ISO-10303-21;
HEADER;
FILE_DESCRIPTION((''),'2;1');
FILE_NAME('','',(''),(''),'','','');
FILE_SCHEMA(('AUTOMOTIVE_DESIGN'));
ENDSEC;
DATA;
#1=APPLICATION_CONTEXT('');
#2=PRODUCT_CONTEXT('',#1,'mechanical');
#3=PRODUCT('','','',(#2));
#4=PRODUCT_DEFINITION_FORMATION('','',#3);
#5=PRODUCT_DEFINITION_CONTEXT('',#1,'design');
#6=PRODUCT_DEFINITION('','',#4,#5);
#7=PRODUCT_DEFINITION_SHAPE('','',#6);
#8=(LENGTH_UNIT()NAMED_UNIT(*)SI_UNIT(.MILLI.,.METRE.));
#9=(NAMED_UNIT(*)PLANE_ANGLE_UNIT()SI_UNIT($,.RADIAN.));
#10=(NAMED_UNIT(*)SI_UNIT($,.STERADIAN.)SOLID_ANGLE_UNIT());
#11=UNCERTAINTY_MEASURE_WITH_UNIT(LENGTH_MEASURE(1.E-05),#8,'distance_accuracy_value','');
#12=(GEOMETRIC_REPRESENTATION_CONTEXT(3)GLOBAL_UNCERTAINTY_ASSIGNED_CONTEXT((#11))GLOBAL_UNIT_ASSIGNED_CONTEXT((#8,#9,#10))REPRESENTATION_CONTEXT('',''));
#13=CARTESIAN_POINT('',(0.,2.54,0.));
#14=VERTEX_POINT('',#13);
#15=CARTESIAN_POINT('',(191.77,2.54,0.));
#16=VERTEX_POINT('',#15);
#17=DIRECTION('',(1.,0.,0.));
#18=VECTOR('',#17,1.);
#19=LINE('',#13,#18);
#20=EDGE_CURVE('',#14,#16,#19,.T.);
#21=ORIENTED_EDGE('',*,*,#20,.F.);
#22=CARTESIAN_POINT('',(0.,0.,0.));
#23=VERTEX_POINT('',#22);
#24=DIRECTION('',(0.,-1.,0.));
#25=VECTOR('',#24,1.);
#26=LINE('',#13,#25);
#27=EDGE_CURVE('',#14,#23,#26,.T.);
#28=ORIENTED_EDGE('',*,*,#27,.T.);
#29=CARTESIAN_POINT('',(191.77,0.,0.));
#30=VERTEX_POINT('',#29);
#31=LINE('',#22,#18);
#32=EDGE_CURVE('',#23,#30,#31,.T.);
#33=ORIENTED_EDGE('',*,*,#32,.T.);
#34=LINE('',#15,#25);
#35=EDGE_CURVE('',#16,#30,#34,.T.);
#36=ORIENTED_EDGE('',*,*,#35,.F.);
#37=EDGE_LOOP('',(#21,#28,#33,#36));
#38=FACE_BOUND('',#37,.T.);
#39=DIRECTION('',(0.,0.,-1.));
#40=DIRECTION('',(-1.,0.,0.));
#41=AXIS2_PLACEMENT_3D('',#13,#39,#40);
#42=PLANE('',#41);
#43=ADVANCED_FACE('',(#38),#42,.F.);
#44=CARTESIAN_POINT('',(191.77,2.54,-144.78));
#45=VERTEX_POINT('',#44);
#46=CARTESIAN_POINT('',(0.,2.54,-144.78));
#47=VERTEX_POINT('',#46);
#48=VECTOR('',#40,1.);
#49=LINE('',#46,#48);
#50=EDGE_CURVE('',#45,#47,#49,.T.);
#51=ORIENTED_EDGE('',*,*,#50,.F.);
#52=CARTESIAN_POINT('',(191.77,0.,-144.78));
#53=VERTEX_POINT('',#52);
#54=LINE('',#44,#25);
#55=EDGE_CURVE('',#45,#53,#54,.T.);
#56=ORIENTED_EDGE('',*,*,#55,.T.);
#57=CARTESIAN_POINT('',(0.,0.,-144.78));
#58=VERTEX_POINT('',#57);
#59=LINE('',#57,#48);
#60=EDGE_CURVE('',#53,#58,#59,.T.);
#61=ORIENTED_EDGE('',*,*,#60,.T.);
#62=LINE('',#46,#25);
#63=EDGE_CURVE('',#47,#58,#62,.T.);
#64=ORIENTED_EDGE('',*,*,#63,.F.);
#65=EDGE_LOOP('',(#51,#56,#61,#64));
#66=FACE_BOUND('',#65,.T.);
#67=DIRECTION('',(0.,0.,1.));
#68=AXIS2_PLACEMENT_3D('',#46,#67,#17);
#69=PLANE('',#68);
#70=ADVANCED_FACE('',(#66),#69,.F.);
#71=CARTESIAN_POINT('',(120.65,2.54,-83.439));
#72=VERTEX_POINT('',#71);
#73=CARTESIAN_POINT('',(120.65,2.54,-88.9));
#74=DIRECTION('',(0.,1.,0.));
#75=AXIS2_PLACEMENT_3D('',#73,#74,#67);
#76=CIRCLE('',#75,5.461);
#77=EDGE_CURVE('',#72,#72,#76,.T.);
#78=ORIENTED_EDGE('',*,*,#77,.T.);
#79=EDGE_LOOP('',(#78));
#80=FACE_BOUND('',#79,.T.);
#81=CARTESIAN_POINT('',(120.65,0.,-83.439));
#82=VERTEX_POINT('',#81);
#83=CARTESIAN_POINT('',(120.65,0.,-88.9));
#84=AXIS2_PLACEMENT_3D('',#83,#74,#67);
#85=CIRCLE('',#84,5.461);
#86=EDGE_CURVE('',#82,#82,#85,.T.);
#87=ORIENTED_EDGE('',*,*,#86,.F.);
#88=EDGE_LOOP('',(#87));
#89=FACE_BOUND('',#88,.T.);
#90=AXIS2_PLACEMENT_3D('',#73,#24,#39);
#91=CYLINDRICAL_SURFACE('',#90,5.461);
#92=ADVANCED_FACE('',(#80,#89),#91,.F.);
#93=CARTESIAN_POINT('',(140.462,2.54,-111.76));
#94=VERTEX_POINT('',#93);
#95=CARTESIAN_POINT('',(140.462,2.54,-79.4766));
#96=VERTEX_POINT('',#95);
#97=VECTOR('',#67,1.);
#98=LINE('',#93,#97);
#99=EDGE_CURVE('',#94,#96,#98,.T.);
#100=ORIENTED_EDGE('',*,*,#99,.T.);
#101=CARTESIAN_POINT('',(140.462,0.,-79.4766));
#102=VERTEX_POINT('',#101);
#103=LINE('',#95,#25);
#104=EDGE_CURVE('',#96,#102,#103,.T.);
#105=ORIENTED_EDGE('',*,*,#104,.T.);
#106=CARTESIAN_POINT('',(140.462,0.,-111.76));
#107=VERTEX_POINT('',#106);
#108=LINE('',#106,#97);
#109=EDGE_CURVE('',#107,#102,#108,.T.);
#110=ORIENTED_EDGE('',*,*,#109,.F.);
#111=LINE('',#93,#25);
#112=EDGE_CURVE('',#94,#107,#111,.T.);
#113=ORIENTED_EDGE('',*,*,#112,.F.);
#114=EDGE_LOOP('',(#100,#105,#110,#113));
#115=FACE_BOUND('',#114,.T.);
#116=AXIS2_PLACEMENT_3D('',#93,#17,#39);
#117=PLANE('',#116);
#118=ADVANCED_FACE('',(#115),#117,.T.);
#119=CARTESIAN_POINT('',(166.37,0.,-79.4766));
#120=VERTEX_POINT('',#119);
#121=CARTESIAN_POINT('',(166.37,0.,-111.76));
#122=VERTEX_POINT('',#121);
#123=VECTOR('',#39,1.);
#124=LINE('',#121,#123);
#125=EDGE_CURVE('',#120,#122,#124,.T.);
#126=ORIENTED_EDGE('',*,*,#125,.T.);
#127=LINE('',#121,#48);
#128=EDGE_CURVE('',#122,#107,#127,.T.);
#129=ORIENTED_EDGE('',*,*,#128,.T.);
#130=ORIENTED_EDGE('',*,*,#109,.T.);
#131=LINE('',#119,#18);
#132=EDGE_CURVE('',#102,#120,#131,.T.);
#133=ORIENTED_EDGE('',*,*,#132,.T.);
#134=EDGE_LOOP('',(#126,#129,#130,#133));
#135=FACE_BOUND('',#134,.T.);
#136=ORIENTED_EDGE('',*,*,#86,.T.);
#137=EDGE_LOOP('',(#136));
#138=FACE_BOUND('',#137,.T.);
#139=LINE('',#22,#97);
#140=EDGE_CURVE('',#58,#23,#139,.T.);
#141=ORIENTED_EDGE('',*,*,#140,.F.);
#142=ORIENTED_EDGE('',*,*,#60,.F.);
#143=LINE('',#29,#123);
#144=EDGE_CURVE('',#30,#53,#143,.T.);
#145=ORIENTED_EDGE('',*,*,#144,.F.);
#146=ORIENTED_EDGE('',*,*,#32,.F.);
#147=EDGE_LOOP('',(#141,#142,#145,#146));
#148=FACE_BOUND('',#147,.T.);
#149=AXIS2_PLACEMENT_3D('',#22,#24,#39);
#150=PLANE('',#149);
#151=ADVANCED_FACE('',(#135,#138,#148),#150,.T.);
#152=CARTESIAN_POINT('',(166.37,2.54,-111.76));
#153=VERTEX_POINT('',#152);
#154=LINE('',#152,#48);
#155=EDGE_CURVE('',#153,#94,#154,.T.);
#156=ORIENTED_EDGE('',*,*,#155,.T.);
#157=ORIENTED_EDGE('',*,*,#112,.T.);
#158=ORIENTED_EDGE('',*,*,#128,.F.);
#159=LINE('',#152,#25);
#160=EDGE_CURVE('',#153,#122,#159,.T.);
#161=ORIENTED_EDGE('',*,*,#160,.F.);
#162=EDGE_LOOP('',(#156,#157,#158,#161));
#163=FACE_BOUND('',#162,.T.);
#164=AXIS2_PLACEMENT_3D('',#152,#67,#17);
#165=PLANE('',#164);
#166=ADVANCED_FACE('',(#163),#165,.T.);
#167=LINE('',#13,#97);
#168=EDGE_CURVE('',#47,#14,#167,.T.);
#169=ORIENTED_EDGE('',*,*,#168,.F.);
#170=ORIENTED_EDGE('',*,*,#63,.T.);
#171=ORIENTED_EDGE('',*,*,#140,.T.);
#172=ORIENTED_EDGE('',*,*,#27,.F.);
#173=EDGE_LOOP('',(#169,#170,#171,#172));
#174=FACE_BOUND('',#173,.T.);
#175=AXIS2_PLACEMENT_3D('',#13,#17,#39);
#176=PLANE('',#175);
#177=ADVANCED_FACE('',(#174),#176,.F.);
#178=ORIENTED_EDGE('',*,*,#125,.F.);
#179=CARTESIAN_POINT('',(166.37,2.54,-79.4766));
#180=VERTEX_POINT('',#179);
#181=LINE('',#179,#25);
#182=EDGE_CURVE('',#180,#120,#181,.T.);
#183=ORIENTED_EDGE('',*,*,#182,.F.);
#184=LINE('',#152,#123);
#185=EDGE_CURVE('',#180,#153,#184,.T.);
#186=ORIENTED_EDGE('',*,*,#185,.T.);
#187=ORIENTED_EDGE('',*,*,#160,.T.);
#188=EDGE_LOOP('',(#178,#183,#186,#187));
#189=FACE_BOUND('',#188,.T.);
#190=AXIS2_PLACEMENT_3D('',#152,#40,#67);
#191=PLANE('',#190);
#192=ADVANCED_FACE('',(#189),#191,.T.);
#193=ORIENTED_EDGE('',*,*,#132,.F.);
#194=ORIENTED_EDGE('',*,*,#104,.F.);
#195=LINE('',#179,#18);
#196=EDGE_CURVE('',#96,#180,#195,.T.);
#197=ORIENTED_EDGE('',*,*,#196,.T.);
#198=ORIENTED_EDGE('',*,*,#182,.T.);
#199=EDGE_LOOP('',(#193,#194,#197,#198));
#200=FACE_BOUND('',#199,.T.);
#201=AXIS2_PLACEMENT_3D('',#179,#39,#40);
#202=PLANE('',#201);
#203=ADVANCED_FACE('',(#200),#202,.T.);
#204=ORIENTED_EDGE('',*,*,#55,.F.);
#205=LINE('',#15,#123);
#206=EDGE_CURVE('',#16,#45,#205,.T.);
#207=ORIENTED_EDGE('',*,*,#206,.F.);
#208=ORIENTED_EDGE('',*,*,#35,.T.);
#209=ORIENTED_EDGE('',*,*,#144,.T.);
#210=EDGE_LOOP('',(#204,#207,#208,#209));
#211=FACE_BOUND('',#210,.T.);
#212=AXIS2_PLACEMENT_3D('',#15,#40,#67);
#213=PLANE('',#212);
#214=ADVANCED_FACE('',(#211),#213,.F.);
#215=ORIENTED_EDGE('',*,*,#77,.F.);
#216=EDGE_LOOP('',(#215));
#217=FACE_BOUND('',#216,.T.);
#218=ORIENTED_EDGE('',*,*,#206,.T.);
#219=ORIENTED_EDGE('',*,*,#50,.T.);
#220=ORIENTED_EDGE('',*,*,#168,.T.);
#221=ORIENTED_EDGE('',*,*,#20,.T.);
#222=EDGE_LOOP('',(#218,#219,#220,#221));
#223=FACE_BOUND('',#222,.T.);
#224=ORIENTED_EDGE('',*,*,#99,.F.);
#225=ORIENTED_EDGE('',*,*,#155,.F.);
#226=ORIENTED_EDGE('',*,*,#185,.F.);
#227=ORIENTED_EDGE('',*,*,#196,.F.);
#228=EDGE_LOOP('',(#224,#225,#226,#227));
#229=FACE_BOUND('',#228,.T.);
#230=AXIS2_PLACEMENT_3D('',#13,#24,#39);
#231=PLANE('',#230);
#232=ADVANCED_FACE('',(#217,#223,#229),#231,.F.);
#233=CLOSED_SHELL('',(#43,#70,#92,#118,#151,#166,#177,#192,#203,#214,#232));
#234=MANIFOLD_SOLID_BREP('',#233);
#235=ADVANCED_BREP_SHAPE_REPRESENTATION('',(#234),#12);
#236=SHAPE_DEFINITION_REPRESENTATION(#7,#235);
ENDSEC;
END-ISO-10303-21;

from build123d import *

# Parameters (mm, degrees)
SKETCH1_W           = 191.77
SKETCH1_H           = 144.78
SKETCH1_R           = 5.461
SKETCH1_W_2         = 25.908
SKETCH1_H_2         = 32.2834
BOSS_EXTRUDE1_DEPTH = 2.54


with BuildPart() as part:
    # Sketch1 → Boss-Extrude1 (new body)
    with BuildSketch(Plane(origin=(0, 0, 0), x_dir=(1, 0, 0), z_dir=(0, 1, 0))):
        with Locations((95.885, 72.39)):
            Rectangle(SKETCH1_W, SKETCH1_H)
        with Locations(Location((120.65, 88.9, 0), (0, 0, 270))):  # turned: the seam where the file's is
            Circle(SKETCH1_R, mode=Mode.SUBTRACT)
        with Locations((153.416, 95.6183)):
            Rectangle(SKETCH1_W_2, SKETCH1_H_2, mode=Mode.SUBTRACT)
    extrude(amount=BOSS_EXTRUDE1_DEPTH)


solid = part.part
